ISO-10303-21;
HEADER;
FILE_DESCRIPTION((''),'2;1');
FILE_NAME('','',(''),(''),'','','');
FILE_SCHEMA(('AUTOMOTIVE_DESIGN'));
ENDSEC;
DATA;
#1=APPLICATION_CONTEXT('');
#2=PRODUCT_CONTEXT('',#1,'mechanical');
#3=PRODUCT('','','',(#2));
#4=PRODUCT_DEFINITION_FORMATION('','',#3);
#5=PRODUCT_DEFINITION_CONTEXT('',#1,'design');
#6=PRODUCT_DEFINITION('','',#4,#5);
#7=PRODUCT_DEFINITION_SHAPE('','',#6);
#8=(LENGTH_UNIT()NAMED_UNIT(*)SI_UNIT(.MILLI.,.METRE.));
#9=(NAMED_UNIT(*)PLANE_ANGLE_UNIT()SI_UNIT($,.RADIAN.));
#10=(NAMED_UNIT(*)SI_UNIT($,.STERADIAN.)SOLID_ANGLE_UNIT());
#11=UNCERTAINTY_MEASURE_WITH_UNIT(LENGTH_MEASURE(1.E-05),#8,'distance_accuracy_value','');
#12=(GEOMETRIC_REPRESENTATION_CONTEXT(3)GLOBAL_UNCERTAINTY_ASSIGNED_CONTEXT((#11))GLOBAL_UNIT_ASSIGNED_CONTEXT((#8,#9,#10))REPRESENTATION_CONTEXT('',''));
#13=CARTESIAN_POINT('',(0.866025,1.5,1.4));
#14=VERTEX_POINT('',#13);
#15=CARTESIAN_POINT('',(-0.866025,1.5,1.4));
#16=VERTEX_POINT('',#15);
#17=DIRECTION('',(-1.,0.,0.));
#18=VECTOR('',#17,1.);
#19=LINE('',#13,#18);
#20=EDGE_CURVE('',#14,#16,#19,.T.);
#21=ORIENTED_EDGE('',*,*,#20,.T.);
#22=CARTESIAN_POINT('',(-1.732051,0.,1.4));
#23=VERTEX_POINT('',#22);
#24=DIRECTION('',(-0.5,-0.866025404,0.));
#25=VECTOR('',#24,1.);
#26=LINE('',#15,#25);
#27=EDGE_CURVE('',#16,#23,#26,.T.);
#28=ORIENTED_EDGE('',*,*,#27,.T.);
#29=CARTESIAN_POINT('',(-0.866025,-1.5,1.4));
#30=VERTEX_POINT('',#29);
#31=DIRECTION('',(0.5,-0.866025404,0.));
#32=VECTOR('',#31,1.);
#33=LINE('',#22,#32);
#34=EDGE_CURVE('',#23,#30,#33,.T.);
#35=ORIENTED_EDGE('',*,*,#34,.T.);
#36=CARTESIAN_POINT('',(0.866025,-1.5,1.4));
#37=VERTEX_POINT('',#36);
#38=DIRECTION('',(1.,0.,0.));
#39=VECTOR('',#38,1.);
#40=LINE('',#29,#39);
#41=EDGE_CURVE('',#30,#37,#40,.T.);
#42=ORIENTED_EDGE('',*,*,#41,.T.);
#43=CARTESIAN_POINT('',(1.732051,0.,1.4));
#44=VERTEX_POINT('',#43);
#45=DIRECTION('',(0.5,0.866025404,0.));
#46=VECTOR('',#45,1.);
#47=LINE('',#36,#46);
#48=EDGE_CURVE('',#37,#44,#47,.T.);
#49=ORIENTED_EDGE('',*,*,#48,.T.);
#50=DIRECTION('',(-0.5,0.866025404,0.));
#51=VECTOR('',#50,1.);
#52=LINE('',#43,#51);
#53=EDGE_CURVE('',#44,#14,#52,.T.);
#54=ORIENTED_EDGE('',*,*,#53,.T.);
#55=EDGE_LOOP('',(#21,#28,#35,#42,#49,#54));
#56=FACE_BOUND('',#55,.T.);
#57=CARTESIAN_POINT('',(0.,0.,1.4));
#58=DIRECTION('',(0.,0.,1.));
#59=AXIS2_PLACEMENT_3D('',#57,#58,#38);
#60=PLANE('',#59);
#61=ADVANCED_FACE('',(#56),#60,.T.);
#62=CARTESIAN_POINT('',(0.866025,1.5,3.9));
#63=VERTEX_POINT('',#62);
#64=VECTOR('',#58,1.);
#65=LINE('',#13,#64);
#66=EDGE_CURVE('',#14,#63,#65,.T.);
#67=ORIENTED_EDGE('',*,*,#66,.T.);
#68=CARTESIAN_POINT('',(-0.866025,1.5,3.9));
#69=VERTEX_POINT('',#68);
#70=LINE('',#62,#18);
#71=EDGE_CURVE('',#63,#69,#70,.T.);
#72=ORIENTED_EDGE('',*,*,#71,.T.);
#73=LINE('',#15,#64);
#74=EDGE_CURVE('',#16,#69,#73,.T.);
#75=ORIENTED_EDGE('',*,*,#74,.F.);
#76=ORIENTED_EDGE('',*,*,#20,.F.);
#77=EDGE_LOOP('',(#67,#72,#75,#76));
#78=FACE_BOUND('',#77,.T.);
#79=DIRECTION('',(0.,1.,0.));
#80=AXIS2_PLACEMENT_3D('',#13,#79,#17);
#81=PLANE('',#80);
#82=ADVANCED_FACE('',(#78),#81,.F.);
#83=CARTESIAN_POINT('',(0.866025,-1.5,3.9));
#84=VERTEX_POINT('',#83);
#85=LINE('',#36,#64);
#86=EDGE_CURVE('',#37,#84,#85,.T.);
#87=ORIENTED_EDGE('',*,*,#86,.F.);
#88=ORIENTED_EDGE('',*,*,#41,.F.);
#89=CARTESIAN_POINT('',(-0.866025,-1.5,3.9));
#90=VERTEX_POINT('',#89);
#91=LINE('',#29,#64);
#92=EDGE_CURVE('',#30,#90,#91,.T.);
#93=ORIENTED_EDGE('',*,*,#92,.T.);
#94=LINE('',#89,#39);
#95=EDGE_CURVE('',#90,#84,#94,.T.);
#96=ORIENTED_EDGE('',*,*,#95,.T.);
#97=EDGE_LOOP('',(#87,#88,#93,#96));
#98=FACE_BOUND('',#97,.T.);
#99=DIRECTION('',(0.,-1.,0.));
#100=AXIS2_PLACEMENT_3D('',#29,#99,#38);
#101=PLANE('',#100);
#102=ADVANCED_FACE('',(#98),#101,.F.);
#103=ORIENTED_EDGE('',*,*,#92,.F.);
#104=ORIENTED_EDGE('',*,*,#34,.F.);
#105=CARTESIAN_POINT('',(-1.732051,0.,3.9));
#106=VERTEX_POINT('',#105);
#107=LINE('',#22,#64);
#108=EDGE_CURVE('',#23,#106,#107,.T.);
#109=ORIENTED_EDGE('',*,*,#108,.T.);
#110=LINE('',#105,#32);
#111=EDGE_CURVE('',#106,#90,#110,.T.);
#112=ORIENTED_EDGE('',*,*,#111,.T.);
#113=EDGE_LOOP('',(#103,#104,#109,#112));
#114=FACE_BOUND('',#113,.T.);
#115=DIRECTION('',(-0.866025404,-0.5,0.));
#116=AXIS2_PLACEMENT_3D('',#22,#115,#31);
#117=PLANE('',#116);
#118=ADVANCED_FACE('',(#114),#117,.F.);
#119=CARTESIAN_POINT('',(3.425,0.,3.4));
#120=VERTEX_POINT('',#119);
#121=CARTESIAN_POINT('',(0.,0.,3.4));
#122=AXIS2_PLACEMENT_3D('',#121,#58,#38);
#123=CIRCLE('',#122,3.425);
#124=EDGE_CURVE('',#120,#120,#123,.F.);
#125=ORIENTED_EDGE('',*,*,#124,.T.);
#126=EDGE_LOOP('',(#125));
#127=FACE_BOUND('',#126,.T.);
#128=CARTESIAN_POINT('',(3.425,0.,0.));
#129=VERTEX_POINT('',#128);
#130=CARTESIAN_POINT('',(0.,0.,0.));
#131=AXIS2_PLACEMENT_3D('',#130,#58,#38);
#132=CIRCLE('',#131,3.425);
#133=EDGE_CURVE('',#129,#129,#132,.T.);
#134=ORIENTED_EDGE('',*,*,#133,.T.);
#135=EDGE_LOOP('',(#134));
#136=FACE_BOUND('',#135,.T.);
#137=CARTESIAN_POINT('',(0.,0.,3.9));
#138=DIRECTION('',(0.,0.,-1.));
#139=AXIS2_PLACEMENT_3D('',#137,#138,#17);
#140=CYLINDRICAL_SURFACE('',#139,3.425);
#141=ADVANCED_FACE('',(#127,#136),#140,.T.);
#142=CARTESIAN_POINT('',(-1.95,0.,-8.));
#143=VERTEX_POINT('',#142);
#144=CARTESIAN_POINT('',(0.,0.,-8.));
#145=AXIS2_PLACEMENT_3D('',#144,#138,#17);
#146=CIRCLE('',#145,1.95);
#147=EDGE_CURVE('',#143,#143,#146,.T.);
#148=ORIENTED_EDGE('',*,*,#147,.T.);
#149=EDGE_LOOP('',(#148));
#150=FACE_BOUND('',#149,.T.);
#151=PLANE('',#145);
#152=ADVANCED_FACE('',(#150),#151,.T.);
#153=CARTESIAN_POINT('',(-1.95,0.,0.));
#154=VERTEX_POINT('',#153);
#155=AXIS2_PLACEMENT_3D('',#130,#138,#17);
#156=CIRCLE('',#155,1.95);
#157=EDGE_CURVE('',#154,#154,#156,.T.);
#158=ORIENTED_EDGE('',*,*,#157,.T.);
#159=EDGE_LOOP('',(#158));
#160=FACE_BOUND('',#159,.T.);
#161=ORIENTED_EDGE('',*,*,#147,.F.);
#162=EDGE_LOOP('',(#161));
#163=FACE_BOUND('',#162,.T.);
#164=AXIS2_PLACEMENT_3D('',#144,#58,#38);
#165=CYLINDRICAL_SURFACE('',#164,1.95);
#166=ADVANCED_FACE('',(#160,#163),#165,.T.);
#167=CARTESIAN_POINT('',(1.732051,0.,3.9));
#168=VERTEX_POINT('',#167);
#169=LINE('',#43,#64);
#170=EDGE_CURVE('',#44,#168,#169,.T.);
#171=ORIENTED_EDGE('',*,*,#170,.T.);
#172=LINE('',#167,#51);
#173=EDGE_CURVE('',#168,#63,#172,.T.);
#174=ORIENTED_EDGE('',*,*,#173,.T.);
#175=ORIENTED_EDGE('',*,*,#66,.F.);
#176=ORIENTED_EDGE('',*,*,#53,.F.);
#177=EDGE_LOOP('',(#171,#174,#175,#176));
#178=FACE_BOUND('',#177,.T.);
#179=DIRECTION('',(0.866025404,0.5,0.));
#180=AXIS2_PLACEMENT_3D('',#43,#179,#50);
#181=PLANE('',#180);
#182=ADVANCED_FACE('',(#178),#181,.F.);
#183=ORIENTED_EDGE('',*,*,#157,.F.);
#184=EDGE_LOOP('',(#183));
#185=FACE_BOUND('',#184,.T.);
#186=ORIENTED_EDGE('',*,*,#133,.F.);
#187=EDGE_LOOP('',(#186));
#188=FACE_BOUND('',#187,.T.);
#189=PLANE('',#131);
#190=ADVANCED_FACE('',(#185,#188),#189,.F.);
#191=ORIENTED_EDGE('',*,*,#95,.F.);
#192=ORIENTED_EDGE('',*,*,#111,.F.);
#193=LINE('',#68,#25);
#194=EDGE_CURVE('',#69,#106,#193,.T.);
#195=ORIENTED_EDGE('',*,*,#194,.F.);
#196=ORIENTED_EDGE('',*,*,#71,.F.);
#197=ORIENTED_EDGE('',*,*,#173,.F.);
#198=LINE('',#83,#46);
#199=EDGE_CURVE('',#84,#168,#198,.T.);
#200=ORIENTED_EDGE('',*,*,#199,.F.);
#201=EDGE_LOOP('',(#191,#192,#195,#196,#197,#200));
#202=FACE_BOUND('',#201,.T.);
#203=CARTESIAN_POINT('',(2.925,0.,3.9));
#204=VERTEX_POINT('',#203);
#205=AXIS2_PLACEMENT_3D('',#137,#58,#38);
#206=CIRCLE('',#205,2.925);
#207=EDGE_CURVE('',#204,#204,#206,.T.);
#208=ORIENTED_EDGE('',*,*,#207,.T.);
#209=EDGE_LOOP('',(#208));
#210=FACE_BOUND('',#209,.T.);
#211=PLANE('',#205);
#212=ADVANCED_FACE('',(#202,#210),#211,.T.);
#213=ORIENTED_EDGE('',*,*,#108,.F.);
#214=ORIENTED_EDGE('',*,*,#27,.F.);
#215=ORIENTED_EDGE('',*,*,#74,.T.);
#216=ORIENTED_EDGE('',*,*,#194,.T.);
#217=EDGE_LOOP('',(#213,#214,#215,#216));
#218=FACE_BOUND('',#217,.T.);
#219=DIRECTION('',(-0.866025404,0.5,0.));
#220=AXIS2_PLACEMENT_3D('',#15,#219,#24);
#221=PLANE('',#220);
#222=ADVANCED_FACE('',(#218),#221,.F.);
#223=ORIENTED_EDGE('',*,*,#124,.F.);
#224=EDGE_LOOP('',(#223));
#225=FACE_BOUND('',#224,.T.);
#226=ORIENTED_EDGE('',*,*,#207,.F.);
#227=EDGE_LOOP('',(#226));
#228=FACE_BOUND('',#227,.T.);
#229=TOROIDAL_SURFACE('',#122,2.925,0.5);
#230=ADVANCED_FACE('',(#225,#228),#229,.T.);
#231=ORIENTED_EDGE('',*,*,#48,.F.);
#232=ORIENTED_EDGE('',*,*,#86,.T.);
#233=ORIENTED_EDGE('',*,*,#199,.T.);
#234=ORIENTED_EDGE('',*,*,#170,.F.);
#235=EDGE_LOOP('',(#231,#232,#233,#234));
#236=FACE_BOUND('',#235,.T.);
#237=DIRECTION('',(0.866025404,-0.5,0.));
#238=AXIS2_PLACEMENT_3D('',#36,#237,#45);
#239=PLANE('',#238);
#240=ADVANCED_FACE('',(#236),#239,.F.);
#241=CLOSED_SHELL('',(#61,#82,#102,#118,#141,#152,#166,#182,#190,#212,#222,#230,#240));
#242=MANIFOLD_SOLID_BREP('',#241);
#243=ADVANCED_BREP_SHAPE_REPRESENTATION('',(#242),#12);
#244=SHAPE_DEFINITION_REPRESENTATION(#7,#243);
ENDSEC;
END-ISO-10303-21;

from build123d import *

# Parameters (mm, degrees)
SKETCH1_R           = 3.425
BOSS_EXTRUDE1_DEPTH = 3.9
SKETCH2_R           = 1.95
BOSS_EXTRUDE2_DEPTH = 8
CUT_EXTRUDE1_DEPTH  = 2.5
FILLET1_R           = 0.5


with BuildPart() as part:
    # Sketch1 → Boss-Extrude1 (new body)
    with BuildSketch(Plane.XY):
        Circle(SKETCH1_R)
    extrude(amount=BOSS_EXTRUDE1_DEPTH)

    # Sketch2 → Boss-Extrude2 (add)
    with BuildSketch(Plane(origin=(0, 0, 0), x_dir=(-1, 0, 0), z_dir=(0, 0, -1))):
        Circle(SKETCH2_R)
    extrude(amount=BOSS_EXTRUDE2_DEPTH)

    # Sketch3 → Cut-Extrude1 (cut)
    with BuildSketch(Plane.XY.offset(3.9)):
        Polygon((1.732050808, 0), (0.866025404, 1.5), (-0.866025404, 1.5), (-1.732050808, 0), (-0.866025404, -1.5), (0.866025404, -1.5), align=None)
    extrude(amount=-CUT_EXTRUDE1_DEPTH, mode=Mode.SUBTRACT)

    # Fillet1
    fillet1_edges = [part.edges().sort_by_distance(p)[0] for p in [
        (-3.425, 0, 3.9),
    ]]
    fillet(fillet1_edges, radius=FILLET1_R)


solid = part.part
